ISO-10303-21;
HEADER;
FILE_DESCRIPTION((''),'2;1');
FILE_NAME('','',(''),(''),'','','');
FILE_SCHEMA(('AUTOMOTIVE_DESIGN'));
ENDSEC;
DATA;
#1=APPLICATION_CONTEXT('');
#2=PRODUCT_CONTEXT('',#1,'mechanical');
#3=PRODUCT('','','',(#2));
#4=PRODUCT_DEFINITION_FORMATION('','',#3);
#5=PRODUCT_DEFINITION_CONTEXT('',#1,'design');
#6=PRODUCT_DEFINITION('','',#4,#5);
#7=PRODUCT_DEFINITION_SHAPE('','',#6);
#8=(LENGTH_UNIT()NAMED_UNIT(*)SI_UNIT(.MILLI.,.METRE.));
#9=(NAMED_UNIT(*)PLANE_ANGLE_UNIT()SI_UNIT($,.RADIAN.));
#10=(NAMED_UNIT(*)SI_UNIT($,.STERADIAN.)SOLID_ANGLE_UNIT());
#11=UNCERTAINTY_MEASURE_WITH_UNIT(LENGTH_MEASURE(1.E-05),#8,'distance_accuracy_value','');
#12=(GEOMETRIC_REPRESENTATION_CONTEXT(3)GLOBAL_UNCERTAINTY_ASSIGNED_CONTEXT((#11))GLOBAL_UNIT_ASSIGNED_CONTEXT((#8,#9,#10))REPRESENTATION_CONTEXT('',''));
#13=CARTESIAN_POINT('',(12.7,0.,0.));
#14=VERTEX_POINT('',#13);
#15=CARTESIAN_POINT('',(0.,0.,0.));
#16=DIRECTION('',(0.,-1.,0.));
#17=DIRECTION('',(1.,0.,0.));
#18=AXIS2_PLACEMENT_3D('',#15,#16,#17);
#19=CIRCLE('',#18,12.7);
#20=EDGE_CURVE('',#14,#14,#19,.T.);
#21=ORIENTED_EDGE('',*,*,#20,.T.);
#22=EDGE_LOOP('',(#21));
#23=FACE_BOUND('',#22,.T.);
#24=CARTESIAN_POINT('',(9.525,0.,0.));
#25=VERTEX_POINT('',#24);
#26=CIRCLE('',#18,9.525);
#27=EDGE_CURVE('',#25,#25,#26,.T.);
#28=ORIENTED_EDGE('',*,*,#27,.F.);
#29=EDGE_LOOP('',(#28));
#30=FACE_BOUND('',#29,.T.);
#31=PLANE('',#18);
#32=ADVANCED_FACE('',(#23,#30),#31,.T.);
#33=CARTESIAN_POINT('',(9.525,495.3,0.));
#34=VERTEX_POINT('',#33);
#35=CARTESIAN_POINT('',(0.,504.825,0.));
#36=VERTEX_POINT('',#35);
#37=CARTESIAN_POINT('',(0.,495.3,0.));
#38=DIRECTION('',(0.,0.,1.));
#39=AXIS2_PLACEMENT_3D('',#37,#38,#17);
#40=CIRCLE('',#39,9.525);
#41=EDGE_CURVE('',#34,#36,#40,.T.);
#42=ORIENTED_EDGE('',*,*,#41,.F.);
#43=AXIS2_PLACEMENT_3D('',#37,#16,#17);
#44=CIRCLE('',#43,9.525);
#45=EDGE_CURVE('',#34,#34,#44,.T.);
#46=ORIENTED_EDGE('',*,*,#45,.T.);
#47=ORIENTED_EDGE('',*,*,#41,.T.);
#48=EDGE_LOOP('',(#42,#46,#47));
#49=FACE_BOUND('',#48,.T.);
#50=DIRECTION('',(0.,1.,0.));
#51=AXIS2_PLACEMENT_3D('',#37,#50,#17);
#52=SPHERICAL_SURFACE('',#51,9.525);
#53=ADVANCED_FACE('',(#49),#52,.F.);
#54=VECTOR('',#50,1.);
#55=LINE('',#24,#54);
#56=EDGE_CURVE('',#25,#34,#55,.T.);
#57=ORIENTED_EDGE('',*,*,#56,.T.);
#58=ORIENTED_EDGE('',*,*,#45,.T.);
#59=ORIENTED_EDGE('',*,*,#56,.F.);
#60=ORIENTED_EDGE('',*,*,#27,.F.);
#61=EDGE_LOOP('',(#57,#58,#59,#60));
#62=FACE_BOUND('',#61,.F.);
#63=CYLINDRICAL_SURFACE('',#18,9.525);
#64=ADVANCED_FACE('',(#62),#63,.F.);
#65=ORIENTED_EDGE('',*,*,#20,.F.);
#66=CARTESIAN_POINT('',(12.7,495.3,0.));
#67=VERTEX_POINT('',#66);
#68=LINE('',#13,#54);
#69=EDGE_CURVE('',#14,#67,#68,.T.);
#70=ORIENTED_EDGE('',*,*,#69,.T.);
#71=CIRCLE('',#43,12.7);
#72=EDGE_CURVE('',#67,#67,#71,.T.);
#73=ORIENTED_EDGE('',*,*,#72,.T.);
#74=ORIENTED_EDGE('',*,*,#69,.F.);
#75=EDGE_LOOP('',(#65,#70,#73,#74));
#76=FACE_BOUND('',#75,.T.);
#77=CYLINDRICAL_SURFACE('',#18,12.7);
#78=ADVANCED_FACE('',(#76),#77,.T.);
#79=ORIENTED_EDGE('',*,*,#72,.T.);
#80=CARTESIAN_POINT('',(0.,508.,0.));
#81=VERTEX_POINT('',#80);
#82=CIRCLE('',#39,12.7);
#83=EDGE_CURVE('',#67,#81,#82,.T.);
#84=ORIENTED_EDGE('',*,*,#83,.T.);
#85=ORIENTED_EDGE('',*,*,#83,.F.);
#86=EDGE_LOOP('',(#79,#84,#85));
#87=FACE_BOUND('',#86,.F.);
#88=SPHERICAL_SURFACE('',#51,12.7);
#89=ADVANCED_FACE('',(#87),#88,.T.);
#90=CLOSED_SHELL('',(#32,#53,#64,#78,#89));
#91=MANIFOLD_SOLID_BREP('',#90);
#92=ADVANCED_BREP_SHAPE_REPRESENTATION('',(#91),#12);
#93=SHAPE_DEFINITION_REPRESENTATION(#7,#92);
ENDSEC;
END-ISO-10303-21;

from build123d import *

# Parameters (mm, degrees)
F0_R     = 12.7
F1_DEPTH = 508
F2_R     = 12.7
F3_T     = -3.175


with BuildPart() as f1:
    # F0 (on Front) → F1 (new body)
    with BuildSketch(Plane.XZ):
        Circle(F0_R)
    extrude(amount=-F1_DEPTH)

    # F2
    f2_edges = [f1.edges().sort_by_distance(p)[0] for p in [
        (-12.7, 508, 0),
    ]]
    fillet(f2_edges, radius=F2_R)

    # F3
    f3_openings = [f1.faces().sort_by_distance(p)[0] for p in [
        (0, 0, 0),
    ]]
    offset(amount=F3_T, openings=f3_openings)


solid = f1.part
